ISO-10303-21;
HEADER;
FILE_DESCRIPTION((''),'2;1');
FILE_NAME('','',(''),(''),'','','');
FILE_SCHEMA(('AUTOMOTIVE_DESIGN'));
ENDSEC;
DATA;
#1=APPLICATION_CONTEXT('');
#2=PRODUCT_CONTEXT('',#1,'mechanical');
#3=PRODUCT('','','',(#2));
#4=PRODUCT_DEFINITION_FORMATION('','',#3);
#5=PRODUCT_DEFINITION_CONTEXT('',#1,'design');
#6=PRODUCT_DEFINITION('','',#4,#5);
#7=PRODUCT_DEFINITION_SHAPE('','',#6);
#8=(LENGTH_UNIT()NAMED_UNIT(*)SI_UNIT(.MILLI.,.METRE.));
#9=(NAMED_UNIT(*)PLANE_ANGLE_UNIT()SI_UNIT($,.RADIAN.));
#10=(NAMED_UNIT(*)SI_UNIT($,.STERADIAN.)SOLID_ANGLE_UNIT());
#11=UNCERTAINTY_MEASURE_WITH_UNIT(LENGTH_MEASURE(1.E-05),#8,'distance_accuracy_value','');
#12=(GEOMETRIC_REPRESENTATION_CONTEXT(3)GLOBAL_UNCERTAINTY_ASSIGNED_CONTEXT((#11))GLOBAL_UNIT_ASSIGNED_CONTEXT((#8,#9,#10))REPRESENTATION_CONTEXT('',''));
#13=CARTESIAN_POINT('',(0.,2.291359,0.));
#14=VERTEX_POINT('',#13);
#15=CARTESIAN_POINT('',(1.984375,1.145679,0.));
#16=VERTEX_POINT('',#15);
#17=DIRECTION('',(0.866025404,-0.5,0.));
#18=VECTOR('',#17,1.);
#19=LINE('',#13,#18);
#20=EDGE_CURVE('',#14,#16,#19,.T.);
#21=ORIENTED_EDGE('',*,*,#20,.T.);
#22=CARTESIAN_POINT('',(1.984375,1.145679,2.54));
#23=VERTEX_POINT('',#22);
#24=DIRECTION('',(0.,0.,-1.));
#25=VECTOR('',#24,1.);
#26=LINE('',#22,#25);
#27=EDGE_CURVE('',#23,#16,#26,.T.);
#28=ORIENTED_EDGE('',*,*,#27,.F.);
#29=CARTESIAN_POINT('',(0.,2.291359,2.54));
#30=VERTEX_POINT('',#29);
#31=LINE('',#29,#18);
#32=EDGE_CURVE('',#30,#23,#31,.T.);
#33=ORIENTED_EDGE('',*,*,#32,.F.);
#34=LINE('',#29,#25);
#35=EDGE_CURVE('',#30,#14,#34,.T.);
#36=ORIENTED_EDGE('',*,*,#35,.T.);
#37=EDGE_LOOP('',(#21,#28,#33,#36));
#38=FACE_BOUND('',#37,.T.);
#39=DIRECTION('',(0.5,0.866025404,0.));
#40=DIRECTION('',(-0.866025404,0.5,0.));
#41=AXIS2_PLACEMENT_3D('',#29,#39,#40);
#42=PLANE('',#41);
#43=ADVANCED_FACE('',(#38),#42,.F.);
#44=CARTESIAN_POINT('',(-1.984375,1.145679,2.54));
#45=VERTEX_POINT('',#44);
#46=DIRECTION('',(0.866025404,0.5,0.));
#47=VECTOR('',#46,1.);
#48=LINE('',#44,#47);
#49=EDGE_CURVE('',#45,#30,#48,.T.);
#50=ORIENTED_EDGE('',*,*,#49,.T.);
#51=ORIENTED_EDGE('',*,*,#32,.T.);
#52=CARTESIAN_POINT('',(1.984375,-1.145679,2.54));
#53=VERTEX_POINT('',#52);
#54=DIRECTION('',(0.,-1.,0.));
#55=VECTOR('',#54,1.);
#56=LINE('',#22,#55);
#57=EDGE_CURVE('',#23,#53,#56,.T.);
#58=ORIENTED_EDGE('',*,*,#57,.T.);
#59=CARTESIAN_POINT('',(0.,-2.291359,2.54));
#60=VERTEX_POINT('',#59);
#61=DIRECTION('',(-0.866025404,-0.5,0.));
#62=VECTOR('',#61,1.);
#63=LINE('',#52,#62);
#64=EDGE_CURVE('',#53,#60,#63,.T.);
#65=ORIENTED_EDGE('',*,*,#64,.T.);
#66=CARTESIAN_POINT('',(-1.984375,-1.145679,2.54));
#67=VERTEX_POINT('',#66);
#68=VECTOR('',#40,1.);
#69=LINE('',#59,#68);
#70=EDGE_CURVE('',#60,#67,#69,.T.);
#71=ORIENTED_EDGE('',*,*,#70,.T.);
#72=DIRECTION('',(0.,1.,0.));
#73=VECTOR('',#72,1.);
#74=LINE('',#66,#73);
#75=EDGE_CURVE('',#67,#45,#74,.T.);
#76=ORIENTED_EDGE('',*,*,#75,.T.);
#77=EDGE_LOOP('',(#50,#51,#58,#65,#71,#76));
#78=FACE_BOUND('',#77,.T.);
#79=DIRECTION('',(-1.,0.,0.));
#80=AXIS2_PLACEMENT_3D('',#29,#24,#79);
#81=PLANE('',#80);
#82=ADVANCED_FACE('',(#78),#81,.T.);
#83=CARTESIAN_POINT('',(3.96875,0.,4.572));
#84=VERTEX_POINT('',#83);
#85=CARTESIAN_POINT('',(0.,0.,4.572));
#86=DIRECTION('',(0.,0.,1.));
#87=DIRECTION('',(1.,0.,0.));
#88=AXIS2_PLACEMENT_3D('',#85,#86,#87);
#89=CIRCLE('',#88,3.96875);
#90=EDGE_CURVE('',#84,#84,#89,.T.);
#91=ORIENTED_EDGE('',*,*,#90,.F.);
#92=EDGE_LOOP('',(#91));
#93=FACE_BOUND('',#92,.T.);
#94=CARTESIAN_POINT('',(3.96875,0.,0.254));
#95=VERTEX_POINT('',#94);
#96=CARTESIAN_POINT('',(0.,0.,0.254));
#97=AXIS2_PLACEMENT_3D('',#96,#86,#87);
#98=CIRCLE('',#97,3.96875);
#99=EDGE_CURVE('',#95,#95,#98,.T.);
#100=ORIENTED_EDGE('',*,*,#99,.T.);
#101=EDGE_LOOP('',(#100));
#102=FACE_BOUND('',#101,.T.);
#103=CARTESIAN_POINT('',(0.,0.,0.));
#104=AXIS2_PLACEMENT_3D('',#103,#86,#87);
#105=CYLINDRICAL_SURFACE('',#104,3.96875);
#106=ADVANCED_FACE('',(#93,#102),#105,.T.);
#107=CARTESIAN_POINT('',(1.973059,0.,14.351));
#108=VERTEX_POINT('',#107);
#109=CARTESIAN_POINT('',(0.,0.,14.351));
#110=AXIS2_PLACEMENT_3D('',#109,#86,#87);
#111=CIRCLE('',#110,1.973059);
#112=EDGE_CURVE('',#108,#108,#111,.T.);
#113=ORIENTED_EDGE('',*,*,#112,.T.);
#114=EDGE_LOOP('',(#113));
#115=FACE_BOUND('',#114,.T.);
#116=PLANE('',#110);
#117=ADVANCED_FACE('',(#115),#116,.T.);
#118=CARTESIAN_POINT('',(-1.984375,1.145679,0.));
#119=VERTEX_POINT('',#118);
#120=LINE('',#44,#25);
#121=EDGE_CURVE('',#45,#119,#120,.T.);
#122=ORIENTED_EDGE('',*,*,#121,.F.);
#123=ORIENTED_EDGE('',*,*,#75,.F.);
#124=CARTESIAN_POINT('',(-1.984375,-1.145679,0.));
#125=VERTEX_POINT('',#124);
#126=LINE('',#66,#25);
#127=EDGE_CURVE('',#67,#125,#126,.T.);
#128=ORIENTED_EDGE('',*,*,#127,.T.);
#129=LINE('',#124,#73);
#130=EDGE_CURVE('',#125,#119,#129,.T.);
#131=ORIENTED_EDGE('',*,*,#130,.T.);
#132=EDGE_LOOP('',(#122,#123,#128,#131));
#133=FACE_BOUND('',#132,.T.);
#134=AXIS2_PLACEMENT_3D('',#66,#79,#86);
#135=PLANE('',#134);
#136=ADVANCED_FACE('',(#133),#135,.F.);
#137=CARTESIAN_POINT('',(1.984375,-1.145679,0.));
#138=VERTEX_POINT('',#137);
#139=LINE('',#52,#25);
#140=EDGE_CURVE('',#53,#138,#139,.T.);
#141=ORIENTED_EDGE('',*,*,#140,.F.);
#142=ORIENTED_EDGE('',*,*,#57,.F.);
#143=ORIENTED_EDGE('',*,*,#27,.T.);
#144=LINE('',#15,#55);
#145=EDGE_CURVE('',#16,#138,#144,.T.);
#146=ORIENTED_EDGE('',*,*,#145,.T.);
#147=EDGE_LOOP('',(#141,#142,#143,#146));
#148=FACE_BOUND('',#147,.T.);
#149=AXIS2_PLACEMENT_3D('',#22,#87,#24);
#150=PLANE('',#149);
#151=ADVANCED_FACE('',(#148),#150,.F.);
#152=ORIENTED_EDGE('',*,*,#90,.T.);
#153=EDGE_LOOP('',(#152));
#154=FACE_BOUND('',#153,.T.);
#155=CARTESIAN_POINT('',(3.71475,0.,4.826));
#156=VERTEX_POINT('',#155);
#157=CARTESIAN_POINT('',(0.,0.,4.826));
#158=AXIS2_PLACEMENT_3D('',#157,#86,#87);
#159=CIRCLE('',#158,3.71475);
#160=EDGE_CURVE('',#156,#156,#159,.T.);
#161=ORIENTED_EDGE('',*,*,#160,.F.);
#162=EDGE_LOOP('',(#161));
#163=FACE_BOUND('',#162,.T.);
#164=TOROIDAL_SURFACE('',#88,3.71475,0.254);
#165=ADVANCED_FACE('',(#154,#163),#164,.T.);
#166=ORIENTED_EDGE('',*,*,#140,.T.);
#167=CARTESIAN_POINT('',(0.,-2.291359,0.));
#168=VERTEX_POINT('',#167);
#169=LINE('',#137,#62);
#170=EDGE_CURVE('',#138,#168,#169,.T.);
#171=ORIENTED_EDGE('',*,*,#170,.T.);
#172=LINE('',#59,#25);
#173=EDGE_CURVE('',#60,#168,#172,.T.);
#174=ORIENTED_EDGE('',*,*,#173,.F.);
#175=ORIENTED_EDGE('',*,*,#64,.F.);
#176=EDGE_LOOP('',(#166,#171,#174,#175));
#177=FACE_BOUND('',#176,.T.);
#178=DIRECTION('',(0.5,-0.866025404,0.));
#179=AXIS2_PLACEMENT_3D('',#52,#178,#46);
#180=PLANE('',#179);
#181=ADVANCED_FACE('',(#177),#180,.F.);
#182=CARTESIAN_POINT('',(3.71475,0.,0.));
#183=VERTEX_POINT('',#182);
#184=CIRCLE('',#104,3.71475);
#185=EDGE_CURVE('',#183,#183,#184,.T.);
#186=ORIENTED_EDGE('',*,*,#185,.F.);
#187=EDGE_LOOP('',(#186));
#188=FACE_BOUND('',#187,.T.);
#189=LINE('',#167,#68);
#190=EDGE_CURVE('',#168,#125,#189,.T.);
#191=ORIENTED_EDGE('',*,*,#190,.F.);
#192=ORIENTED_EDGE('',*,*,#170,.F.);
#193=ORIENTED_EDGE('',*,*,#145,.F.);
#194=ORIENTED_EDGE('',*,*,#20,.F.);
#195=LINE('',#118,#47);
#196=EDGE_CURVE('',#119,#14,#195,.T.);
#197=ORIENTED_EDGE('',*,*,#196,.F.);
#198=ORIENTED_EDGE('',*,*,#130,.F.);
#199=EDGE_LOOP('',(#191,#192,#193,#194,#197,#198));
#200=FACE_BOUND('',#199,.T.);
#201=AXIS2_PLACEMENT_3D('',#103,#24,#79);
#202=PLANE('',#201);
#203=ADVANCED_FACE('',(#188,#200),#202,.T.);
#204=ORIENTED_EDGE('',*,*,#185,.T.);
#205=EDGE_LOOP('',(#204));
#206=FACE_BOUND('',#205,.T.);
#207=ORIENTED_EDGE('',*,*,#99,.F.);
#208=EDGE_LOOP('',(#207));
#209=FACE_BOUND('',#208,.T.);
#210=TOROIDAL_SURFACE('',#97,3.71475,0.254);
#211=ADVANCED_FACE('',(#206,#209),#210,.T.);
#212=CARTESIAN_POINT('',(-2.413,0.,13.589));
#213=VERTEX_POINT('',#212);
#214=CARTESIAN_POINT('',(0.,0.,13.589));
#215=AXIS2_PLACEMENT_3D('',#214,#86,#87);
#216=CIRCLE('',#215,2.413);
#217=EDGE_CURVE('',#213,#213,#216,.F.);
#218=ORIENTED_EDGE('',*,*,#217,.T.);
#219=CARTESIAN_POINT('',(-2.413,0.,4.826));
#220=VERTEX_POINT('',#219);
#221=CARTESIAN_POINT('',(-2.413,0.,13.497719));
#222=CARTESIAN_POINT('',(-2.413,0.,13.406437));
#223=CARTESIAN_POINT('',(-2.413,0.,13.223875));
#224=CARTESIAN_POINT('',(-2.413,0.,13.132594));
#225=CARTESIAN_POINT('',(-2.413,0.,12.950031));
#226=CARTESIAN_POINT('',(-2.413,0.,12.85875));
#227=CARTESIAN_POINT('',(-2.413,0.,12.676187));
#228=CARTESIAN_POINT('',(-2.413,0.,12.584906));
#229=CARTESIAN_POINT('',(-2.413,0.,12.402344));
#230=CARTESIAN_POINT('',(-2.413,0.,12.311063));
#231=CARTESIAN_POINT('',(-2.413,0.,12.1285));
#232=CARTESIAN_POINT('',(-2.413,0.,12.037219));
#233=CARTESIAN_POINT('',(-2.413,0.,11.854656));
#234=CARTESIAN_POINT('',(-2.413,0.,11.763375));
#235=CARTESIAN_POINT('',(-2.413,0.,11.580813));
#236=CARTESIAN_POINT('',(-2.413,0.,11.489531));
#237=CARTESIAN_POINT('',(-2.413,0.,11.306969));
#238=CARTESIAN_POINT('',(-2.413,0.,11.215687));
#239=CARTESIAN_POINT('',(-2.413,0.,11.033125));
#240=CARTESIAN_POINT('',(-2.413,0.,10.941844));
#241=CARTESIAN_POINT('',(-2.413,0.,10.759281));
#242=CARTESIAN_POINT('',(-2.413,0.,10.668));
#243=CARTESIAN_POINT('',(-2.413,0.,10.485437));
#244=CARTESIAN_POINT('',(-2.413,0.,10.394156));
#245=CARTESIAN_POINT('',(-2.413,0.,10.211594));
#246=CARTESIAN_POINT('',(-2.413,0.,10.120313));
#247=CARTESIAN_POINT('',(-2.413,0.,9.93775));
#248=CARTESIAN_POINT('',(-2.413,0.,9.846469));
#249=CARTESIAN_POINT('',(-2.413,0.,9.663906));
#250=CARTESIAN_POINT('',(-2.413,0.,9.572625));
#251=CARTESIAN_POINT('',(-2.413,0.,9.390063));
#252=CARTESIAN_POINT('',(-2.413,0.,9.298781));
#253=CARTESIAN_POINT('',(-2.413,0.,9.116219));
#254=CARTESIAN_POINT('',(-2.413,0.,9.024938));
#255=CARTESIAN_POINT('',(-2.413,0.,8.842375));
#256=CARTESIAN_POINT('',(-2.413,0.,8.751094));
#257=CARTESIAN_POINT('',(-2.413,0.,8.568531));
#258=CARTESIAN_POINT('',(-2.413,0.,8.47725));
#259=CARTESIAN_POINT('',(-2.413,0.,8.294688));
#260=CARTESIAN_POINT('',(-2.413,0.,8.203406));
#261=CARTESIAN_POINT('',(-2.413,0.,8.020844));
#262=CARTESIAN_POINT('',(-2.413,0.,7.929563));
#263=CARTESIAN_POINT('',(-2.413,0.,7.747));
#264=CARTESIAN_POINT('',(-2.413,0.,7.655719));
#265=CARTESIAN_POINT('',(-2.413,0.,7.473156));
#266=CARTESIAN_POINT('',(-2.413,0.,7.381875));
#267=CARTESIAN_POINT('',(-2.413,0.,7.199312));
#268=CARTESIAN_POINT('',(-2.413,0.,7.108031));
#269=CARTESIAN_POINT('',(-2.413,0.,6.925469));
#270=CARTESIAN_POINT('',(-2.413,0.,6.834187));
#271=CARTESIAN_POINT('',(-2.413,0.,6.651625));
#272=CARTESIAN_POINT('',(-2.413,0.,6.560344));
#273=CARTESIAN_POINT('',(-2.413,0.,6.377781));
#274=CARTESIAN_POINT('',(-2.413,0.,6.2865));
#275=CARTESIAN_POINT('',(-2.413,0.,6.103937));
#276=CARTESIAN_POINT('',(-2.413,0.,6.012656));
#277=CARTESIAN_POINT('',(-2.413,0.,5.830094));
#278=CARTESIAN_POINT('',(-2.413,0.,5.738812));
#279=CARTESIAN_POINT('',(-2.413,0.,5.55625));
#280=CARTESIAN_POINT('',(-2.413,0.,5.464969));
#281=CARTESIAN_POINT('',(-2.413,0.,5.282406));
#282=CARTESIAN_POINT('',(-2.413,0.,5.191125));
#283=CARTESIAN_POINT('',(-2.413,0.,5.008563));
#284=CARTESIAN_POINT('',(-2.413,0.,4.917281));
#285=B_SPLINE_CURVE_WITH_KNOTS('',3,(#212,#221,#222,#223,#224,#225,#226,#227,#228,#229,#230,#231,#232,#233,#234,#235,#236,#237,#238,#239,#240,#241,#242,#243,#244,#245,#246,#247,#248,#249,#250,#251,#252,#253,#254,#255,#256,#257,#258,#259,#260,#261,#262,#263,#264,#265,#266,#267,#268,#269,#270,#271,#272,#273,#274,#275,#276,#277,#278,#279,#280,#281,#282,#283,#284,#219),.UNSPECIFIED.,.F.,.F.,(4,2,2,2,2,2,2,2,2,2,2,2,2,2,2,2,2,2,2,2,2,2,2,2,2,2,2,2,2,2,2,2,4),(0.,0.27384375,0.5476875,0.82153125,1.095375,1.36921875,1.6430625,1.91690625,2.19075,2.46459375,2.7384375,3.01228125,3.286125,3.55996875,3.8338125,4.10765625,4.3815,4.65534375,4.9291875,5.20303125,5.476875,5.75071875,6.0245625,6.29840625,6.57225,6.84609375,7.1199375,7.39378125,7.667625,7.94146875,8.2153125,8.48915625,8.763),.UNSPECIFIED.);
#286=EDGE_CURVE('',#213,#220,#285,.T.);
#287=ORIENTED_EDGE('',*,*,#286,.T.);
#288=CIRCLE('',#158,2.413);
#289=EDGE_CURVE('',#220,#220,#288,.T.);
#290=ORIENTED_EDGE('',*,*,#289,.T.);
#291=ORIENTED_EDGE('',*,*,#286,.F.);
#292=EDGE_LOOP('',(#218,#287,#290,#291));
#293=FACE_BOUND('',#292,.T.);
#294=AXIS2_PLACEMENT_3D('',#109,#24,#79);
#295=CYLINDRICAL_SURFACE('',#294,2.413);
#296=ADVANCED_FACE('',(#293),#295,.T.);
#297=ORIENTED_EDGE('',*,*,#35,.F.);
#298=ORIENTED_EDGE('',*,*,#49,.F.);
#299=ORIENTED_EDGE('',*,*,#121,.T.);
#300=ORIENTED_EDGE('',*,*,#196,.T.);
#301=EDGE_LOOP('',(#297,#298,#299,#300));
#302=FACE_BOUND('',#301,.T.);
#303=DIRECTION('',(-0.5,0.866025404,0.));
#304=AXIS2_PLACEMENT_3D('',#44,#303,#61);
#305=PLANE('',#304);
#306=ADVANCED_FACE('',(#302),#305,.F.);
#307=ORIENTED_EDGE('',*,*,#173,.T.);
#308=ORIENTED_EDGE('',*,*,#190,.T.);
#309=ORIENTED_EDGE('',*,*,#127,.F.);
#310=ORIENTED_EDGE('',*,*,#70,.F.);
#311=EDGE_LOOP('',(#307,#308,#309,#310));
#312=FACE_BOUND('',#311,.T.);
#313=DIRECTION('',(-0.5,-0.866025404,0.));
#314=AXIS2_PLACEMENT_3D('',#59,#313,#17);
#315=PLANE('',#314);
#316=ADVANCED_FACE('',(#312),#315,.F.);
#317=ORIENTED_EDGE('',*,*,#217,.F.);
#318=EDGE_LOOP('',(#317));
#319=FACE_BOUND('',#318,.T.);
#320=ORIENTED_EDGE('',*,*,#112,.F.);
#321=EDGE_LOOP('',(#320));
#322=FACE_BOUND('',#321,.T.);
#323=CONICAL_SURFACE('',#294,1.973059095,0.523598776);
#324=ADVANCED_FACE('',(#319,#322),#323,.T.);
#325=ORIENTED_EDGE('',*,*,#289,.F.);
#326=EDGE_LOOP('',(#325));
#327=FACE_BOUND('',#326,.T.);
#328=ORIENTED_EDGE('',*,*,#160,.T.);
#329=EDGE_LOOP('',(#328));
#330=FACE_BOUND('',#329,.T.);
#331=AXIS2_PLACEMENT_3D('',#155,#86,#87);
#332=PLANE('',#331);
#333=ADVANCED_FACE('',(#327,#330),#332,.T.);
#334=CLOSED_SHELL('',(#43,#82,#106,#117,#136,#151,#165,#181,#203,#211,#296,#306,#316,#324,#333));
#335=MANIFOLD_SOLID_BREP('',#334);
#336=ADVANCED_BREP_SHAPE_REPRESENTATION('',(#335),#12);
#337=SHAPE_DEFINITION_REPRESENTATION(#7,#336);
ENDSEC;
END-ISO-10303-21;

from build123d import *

# Parameters (mm, degrees)
CUT_EXTRUDE1_DEPTH  = 2.54
SKETCH3_R           = 2.413
BOSS_EXTRUDE1_DEPTH = 9.525
CHAMFER1_SIZE       = 0.762
CHAMFER1_SIZE2      = 0.439940905


with BuildPart() as part:
    # Sketch1 → Revolve1 (revolve)
    with BuildSketch(Plane(origin=(0, 0, 0), x_dir=(1, 0, 0), z_dir=(0, 1, 0))):
        with BuildLine():
            Line((0, 0), (3.71475, 0))
            ThreePointArc((3.71475, 0), (3.894355122, -0.074394878), (3.96875, -0.254))
            Line((3.96875, -0.254), (3.96875, -4.572))
            ThreePointArc((3.96875, -4.572), (3.894355122, -4.751605122), (3.71475, -4.826))
            Line((3.71475, -4.826), (0, -4.826))
            Line((0, -4.826), (0, 0))
        make_face()
    revolve(axis=Axis((0, 0, 0), (0, 0, -1)))

    # Sketch2 → Cut-Extrude1 (cut)
    with BuildSketch(Plane(origin=(0, 0, 0), x_dir=(-1, 0, 0), z_dir=(0, 0, -1))):
        Polygon((0, 2.291358881), (-1.984375, 1.14567944), (-1.984375, -1.14567944), (0, -2.291358881), (1.984375, -1.14567944), (1.984375, 1.14567944), align=None)
    extrude(amount=-CUT_EXTRUDE1_DEPTH, mode=Mode.SUBTRACT)

    # Sketch3 → Boss-Extrude1 (add)
    with BuildSketch(Plane.XY.offset(4.826)):
        with Locations(Location((0, 0, 0), (0, 0, 180))):
            Circle(SKETCH3_R)
    extrude(amount=BOSS_EXTRUDE1_DEPTH)

    # Chamfer1
    chamfer1_edges = [part.edges().sort_by_distance(p)[0] for p in [
        (2.413, 0, 14.351),
    ]]
    chamfer1_side = [part.faces().sort_by_distance(p)[0] for p in [
        (2.413, 0, 9.5885),
    ]]
    chamfer(chamfer1_edges, length=CHAMFER1_SIZE, length2=CHAMFER1_SIZE2, reference=chamfer1_side[0])


solid = part.part
